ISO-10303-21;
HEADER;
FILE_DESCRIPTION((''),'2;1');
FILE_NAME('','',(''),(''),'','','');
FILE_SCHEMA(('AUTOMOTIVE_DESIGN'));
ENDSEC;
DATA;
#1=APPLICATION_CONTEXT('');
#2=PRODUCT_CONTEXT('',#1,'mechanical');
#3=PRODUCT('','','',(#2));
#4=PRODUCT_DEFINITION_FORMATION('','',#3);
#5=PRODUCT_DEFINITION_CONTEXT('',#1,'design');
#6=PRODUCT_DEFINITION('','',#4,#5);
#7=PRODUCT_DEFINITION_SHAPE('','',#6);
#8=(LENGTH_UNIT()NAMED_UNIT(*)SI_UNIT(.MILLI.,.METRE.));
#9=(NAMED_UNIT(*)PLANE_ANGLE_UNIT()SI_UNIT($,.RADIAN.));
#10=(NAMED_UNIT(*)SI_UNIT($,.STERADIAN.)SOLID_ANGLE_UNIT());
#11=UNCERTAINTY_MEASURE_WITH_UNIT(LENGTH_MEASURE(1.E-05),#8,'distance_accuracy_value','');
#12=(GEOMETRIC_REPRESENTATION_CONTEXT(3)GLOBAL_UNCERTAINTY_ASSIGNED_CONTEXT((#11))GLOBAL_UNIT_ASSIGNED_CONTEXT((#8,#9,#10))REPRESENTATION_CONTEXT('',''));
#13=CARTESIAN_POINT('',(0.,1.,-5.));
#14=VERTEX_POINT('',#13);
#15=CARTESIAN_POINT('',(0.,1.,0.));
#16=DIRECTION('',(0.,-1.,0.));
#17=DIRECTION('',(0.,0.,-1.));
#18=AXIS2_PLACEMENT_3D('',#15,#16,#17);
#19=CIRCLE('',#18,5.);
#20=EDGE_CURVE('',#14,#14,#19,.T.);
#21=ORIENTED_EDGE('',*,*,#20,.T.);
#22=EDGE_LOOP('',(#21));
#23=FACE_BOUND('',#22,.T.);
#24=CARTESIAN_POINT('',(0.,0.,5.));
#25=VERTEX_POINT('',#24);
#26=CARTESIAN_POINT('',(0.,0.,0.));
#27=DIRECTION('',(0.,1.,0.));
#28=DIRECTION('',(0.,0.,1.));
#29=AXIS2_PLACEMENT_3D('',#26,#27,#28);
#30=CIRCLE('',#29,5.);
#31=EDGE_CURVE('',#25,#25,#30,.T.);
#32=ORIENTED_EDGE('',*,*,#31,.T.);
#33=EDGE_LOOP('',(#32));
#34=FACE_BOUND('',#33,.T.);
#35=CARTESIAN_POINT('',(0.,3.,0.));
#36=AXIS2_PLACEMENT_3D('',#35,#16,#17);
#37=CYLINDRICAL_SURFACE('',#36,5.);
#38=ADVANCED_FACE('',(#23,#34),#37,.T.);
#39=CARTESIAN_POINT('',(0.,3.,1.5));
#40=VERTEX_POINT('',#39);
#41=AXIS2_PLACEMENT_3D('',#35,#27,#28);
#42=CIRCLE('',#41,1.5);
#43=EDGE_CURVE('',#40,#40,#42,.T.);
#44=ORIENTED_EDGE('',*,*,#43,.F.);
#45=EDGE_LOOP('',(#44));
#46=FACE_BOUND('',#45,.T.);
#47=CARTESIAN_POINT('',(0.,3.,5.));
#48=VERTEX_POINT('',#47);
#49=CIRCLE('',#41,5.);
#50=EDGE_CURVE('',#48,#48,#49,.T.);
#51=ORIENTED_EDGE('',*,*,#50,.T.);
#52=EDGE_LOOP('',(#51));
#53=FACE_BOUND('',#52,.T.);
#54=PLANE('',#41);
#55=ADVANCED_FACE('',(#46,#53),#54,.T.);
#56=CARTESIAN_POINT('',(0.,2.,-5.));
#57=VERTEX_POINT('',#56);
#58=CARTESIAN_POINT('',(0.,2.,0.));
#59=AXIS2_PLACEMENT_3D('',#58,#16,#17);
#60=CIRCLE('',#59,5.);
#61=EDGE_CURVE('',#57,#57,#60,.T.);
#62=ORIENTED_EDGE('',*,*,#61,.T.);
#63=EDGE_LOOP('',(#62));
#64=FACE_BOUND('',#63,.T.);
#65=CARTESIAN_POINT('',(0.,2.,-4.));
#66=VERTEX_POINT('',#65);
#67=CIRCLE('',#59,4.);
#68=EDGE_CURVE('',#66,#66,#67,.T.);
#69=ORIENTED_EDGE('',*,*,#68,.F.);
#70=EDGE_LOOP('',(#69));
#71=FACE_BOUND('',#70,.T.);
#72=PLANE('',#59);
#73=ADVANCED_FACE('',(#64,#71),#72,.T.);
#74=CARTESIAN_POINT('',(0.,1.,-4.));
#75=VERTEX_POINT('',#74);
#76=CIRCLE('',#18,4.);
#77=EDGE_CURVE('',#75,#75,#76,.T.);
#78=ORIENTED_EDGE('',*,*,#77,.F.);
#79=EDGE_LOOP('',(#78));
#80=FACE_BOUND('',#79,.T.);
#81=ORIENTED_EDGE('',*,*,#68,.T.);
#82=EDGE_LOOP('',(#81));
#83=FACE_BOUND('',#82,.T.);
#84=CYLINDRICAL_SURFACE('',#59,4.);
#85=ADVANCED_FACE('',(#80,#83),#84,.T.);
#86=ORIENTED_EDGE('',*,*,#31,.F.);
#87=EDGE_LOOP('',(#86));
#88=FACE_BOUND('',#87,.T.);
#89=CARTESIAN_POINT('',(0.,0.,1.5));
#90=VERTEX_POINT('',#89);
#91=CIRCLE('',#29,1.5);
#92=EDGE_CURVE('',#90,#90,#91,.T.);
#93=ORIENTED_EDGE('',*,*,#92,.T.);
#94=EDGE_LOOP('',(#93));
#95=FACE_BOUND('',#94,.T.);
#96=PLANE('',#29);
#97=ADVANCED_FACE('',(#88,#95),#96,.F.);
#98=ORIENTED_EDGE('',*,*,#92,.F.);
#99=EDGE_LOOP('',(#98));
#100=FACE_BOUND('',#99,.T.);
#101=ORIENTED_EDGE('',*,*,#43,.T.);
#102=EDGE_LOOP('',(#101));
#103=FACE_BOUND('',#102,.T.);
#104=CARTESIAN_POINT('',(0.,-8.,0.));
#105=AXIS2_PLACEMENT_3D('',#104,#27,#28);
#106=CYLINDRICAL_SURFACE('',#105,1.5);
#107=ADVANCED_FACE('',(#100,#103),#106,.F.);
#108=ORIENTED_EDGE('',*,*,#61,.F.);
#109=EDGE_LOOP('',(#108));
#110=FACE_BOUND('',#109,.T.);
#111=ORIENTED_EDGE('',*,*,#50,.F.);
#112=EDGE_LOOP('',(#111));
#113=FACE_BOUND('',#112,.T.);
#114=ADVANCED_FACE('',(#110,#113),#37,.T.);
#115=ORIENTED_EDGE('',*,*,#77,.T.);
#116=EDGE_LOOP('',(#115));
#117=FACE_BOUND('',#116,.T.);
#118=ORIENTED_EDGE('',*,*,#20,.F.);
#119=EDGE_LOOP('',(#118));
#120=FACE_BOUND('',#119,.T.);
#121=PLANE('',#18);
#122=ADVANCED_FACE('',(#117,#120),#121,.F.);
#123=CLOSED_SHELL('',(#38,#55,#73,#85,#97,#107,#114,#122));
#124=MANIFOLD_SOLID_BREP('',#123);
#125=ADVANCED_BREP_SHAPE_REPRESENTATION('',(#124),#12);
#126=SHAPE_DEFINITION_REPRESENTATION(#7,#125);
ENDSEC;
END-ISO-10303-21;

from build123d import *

# Parameters (mm, degrees)
SKETCH_1_R          = 5
EXTRUDE_1_DEPTH     = 3
SKETCH_2_R          = 1.5
CUT_EXTRUDE_1_DEPTH = 11
SKETCH_3_R          = 5
SKETCH_3_R_2        = 4
CUT_EXTRUDE_3_DEPTH = 0.5


with BuildPart() as part:
    # 草图1 → 凸台-拉伸1 (new body)
    with BuildSketch(Plane(origin=(0, 0, 0), x_dir=(1, 0, 0), z_dir=(0, 1, 0))):
        Circle(SKETCH_1_R)
    extrude(amount=EXTRUDE_1_DEPTH)

    # 草图2 → 切除-拉伸1 (cut)
    with BuildSketch(Plane(origin=(0, 3, 0), x_dir=(1, 0, 0), z_dir=(0, 1, 0))):
        Circle(SKETCH_2_R)
    extrude(amount=-CUT_EXTRUDE_1_DEPTH, mode=Mode.SUBTRACT)

    # 草图3 → 切除-拉伸3 (cut, symmetric)
    with BuildSketch(Plane(origin=(0, 1.5, 0), x_dir=(-1, 0, 0), z_dir=(0, -1, 0))):
        Circle(SKETCH_3_R)
        Circle(SKETCH_3_R_2, mode=Mode.SUBTRACT)
    extrude(amount=CUT_EXTRUDE_3_DEPTH, both=True, mode=Mode.SUBTRACT)


solid = part.part
